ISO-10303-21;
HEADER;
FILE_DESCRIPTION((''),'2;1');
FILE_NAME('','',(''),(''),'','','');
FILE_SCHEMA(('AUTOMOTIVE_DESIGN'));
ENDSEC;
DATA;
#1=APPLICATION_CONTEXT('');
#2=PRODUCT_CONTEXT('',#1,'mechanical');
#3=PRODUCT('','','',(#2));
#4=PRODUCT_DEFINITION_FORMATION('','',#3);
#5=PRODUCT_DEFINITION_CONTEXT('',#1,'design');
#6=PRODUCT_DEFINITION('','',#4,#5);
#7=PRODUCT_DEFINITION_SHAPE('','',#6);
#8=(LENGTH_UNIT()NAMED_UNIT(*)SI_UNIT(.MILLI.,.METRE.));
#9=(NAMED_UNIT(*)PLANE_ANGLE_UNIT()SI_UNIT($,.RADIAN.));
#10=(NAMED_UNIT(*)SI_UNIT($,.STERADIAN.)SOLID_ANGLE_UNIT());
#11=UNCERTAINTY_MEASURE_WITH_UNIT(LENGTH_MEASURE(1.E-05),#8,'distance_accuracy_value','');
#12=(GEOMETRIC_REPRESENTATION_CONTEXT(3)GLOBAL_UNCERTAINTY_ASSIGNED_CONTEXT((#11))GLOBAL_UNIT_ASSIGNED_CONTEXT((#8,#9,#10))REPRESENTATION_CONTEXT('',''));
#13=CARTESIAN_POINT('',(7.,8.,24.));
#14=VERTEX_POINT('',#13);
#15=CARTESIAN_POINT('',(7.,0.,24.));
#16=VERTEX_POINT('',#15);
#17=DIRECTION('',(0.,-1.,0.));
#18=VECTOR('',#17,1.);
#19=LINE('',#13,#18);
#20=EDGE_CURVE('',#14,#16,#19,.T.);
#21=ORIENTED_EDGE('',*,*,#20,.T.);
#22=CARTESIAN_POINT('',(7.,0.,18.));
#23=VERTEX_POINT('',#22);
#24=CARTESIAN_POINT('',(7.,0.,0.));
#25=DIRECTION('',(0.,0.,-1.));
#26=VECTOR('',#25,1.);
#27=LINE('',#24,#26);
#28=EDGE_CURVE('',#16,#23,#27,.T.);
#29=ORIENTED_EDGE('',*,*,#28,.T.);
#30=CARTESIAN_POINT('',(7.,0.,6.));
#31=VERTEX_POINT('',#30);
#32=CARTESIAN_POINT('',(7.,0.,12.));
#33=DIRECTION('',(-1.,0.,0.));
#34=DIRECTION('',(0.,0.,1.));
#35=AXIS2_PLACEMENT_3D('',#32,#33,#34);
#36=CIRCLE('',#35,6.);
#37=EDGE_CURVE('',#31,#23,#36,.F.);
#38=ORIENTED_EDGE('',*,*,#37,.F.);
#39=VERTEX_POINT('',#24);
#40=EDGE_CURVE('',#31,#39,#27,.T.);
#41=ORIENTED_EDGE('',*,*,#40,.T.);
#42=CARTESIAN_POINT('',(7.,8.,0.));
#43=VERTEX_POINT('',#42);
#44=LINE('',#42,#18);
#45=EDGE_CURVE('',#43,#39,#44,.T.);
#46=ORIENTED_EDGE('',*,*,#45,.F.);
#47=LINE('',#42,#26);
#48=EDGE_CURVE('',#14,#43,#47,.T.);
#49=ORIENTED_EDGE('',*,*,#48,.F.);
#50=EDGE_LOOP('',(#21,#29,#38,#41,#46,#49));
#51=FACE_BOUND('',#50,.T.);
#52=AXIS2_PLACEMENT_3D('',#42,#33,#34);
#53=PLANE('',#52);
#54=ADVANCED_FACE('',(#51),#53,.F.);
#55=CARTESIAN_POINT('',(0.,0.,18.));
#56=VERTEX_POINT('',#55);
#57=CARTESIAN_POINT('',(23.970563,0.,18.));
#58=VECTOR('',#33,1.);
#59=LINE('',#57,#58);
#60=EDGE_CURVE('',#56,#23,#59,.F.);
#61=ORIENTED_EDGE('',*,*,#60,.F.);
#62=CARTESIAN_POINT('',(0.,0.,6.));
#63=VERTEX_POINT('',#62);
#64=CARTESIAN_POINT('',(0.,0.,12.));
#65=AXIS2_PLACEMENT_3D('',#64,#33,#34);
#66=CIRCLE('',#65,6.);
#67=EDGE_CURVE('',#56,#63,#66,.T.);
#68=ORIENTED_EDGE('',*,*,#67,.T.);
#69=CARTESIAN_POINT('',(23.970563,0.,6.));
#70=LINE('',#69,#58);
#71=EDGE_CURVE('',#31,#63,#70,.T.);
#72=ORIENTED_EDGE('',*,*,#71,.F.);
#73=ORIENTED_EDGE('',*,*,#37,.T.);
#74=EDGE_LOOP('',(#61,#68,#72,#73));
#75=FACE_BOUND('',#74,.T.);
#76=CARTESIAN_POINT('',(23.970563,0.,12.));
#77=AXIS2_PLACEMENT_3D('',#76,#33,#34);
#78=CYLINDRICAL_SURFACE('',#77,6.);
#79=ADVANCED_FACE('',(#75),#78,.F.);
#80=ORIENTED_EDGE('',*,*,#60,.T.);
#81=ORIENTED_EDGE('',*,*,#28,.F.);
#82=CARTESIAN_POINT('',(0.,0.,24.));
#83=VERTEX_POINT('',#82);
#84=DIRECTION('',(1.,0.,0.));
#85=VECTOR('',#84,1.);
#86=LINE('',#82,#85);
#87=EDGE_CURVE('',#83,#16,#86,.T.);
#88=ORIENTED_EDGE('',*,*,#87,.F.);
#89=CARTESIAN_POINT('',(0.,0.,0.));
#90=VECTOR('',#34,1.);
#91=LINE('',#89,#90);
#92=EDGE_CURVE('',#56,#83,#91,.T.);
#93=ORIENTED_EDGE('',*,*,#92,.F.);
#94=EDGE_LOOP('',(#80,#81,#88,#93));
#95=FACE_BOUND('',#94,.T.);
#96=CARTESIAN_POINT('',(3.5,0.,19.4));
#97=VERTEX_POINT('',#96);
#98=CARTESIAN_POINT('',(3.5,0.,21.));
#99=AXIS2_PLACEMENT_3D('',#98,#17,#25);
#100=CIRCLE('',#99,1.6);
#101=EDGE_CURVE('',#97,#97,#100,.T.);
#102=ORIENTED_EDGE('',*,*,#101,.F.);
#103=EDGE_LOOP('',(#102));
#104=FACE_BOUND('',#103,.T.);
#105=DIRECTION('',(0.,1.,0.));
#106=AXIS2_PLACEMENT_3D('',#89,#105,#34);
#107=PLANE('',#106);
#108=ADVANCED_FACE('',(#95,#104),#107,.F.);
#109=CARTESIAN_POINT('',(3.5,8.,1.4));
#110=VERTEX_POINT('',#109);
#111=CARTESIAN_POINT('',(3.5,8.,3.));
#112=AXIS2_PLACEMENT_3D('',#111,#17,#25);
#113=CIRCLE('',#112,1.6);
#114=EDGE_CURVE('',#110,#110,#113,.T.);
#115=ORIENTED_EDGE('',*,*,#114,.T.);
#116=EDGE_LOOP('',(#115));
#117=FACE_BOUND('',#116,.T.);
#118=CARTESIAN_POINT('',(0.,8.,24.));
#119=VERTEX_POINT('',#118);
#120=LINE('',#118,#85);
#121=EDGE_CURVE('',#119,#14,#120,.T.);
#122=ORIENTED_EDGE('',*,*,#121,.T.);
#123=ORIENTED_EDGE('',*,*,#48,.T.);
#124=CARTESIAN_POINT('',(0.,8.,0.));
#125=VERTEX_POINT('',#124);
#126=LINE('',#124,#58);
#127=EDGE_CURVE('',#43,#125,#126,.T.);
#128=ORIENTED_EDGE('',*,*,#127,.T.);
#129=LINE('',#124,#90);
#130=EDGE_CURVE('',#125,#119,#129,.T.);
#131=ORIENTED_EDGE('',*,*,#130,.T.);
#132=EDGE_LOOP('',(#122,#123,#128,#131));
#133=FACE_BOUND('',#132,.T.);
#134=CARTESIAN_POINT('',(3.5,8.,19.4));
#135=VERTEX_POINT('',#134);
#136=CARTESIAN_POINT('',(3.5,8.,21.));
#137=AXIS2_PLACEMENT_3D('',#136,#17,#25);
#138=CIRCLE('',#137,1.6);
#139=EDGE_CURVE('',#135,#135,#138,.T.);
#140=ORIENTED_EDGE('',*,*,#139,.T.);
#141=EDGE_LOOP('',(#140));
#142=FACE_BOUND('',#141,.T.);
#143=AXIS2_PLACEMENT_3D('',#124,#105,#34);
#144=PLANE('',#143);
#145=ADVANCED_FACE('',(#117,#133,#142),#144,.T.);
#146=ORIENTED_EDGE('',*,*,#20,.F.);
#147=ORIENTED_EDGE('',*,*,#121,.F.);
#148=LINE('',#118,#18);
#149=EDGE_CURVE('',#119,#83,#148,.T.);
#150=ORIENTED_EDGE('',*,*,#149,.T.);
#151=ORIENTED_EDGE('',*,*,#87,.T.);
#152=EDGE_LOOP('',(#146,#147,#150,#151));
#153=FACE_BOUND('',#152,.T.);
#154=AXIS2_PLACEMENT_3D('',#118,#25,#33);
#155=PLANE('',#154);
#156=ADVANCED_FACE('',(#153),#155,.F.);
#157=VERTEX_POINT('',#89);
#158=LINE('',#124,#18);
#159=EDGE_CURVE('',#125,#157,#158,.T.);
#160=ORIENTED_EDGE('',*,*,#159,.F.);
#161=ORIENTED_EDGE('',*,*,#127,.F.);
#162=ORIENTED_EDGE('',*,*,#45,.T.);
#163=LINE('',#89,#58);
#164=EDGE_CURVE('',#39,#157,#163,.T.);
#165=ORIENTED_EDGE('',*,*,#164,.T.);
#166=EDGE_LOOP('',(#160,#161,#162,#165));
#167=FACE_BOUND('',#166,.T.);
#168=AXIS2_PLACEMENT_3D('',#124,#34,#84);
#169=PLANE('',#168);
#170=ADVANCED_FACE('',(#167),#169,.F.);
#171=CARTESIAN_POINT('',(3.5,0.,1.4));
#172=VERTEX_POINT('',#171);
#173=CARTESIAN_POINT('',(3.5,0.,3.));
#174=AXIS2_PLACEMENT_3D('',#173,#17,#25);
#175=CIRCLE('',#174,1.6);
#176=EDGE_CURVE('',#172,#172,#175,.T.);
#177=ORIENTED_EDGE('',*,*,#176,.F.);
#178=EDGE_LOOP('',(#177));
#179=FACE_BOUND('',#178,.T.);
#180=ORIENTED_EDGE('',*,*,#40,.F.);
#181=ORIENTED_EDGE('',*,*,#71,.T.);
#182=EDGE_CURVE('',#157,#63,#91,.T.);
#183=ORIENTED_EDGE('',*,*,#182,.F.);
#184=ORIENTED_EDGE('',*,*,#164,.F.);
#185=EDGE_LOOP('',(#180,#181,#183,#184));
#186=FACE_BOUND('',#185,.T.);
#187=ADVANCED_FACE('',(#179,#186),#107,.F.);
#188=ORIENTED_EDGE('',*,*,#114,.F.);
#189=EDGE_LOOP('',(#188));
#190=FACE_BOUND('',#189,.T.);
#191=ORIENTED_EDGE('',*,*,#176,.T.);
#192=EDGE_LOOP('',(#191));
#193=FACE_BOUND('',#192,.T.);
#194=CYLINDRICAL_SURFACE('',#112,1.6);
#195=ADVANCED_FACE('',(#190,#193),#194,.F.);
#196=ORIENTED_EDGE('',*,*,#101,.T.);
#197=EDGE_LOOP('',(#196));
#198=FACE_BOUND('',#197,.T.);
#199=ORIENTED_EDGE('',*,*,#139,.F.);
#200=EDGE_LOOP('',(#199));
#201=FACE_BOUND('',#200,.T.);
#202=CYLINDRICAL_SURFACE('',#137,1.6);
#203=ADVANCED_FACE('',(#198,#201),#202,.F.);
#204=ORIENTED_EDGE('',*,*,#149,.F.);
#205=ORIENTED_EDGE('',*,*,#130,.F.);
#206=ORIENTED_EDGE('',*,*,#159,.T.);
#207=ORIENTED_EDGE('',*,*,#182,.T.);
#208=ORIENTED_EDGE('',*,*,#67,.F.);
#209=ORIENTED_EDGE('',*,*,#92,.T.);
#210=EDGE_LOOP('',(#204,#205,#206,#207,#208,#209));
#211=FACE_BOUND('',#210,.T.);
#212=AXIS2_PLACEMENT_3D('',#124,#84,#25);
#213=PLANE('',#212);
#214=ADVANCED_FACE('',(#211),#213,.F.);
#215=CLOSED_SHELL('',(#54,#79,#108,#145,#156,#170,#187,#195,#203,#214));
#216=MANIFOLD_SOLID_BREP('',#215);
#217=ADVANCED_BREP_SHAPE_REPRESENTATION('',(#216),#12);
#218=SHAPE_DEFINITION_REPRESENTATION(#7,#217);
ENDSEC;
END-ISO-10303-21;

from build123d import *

# Parameters (mm, degrees)
SKETCH_1_W          = 7
SKETCH_1_H          = 24
EXTRUDE_1_DEPTH     = 8
SKETCH_2_R          = 6
CUT_EXTRUDE_1_DEPTH = 7
SKETCH_3_R          = 1.6
CUT_EXTRUDE_2_DEPTH = 27.248809497


with BuildPart() as part:
    # 草图1 → 凸台-拉伸1 (new body)
    with BuildSketch(Plane(origin=(0, 0, 0), x_dir=(1, 0, 0), z_dir=(0, 1, 0))):
        with Locations((3.5, -12)):
            Rectangle(SKETCH_1_W, SKETCH_1_H)
    extrude(amount=EXTRUDE_1_DEPTH)

    # 草图2 → 切除-拉伸1 (cut)
    with BuildSketch(Plane.ZY):
        with Locations((12, 0)):
            Circle(SKETCH_2_R)
    extrude(amount=-CUT_EXTRUDE_1_DEPTH, mode=Mode.SUBTRACT)

    # 草图3 → 切除-拉伸2 (cut, through all)
    with BuildSketch(Plane.XZ):
        with Locations(Location((3.5, 21, 0), (0, 0, 270))):
            Circle(SKETCH_3_R)
        with Locations(Location((3.5, 3, 0), (0, 0, 270))):
            Circle(SKETCH_3_R)
    extrude(amount=-CUT_EXTRUDE_2_DEPTH, mode=Mode.SUBTRACT)


solid = part.part
